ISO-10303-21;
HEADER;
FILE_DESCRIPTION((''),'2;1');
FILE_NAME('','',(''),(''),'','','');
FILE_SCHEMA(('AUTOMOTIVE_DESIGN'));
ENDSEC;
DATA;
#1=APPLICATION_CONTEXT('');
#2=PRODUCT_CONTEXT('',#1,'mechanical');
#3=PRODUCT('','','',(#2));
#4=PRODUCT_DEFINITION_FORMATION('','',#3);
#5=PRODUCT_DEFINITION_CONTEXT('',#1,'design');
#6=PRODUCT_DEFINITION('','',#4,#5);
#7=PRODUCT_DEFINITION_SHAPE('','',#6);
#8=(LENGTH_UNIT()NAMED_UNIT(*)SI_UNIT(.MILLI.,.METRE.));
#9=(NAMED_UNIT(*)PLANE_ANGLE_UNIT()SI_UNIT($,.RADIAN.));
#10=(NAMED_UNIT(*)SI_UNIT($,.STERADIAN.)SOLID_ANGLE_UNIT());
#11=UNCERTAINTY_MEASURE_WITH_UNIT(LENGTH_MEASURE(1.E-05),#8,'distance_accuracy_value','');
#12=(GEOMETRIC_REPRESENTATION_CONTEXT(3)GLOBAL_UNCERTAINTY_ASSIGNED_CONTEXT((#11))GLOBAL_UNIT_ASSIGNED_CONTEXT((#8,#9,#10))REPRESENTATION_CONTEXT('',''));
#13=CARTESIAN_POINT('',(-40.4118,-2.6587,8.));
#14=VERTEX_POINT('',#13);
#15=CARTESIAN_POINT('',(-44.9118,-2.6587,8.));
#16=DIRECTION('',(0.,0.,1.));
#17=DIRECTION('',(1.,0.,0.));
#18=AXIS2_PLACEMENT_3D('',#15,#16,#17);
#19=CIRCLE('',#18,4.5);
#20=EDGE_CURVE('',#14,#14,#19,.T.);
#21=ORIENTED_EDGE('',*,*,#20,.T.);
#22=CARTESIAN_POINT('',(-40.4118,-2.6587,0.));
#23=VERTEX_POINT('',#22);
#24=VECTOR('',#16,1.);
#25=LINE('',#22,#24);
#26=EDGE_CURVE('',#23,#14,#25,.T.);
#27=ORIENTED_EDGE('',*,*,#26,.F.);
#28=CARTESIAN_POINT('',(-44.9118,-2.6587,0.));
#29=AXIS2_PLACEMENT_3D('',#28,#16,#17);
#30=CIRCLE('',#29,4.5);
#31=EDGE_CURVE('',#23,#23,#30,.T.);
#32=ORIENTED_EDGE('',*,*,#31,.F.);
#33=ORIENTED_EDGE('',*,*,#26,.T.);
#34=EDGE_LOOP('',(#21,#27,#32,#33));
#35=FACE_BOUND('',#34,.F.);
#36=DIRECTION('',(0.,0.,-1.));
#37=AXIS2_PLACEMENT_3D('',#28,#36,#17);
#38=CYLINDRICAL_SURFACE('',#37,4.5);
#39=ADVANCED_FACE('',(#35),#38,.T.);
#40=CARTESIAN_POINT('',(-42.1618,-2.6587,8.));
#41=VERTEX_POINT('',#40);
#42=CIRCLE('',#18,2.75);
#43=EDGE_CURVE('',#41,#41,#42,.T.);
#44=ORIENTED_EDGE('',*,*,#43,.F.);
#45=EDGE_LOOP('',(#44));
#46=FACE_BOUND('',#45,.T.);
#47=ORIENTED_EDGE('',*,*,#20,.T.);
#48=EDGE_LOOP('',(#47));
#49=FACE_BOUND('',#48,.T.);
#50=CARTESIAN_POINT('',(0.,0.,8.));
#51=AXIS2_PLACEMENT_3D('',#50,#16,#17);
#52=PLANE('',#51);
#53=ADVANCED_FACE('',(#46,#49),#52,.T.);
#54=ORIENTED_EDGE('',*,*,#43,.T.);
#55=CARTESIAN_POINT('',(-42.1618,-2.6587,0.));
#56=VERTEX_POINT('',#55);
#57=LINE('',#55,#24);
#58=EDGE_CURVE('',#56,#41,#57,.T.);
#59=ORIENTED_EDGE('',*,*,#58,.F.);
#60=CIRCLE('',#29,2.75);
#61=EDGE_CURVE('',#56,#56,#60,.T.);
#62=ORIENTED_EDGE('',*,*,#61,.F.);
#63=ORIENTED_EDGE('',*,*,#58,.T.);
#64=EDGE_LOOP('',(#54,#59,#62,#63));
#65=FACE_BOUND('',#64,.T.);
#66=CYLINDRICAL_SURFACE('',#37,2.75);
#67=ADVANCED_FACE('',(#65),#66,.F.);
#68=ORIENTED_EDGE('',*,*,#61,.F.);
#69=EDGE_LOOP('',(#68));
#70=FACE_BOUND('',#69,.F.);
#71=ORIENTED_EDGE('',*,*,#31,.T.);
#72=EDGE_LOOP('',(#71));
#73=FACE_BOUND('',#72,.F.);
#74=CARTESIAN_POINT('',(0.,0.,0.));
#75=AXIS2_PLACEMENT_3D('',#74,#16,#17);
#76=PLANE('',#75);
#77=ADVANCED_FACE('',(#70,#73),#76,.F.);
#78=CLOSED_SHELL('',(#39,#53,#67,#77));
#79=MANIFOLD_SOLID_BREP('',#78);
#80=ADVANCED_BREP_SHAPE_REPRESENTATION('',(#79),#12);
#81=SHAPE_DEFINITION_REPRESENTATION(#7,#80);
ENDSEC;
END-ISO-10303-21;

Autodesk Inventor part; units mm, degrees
ref_plane "YZ Plane" through (0, 0, 0) normal (1, 0, 0) x (0, 1, 0)
ref_plane "XZ Plane" through (0, 0, 0) normal (0, 1, 0) x (-1, 0, 0)
ref_plane "XY Plane" through (0, 0, 0) normal (0, 0, 1) x (1, 0, 0)
sketch "Sketch1" plane through (0, 0, 0) normal (0, 0, 1) x (1, 0, 0)
  arc A0 (-43.2697, -2.2187) -> (-43.4396, -1.8087) centre (-44.9118, -2.6587) ccw projected
  circle A1 centre (-44.9118, -2.6587) radius 2.75
  circle A2 centre (-44.9118, -2.6587) radius 4.5
  point P0 (0, 0)
  dimension "d0" = 5.5
  dimension "d1" = 9
extrude "Extrusion1" add sketch "Sketch1" along normal blind 8
properties part number "8mm Rumba Spacer"
